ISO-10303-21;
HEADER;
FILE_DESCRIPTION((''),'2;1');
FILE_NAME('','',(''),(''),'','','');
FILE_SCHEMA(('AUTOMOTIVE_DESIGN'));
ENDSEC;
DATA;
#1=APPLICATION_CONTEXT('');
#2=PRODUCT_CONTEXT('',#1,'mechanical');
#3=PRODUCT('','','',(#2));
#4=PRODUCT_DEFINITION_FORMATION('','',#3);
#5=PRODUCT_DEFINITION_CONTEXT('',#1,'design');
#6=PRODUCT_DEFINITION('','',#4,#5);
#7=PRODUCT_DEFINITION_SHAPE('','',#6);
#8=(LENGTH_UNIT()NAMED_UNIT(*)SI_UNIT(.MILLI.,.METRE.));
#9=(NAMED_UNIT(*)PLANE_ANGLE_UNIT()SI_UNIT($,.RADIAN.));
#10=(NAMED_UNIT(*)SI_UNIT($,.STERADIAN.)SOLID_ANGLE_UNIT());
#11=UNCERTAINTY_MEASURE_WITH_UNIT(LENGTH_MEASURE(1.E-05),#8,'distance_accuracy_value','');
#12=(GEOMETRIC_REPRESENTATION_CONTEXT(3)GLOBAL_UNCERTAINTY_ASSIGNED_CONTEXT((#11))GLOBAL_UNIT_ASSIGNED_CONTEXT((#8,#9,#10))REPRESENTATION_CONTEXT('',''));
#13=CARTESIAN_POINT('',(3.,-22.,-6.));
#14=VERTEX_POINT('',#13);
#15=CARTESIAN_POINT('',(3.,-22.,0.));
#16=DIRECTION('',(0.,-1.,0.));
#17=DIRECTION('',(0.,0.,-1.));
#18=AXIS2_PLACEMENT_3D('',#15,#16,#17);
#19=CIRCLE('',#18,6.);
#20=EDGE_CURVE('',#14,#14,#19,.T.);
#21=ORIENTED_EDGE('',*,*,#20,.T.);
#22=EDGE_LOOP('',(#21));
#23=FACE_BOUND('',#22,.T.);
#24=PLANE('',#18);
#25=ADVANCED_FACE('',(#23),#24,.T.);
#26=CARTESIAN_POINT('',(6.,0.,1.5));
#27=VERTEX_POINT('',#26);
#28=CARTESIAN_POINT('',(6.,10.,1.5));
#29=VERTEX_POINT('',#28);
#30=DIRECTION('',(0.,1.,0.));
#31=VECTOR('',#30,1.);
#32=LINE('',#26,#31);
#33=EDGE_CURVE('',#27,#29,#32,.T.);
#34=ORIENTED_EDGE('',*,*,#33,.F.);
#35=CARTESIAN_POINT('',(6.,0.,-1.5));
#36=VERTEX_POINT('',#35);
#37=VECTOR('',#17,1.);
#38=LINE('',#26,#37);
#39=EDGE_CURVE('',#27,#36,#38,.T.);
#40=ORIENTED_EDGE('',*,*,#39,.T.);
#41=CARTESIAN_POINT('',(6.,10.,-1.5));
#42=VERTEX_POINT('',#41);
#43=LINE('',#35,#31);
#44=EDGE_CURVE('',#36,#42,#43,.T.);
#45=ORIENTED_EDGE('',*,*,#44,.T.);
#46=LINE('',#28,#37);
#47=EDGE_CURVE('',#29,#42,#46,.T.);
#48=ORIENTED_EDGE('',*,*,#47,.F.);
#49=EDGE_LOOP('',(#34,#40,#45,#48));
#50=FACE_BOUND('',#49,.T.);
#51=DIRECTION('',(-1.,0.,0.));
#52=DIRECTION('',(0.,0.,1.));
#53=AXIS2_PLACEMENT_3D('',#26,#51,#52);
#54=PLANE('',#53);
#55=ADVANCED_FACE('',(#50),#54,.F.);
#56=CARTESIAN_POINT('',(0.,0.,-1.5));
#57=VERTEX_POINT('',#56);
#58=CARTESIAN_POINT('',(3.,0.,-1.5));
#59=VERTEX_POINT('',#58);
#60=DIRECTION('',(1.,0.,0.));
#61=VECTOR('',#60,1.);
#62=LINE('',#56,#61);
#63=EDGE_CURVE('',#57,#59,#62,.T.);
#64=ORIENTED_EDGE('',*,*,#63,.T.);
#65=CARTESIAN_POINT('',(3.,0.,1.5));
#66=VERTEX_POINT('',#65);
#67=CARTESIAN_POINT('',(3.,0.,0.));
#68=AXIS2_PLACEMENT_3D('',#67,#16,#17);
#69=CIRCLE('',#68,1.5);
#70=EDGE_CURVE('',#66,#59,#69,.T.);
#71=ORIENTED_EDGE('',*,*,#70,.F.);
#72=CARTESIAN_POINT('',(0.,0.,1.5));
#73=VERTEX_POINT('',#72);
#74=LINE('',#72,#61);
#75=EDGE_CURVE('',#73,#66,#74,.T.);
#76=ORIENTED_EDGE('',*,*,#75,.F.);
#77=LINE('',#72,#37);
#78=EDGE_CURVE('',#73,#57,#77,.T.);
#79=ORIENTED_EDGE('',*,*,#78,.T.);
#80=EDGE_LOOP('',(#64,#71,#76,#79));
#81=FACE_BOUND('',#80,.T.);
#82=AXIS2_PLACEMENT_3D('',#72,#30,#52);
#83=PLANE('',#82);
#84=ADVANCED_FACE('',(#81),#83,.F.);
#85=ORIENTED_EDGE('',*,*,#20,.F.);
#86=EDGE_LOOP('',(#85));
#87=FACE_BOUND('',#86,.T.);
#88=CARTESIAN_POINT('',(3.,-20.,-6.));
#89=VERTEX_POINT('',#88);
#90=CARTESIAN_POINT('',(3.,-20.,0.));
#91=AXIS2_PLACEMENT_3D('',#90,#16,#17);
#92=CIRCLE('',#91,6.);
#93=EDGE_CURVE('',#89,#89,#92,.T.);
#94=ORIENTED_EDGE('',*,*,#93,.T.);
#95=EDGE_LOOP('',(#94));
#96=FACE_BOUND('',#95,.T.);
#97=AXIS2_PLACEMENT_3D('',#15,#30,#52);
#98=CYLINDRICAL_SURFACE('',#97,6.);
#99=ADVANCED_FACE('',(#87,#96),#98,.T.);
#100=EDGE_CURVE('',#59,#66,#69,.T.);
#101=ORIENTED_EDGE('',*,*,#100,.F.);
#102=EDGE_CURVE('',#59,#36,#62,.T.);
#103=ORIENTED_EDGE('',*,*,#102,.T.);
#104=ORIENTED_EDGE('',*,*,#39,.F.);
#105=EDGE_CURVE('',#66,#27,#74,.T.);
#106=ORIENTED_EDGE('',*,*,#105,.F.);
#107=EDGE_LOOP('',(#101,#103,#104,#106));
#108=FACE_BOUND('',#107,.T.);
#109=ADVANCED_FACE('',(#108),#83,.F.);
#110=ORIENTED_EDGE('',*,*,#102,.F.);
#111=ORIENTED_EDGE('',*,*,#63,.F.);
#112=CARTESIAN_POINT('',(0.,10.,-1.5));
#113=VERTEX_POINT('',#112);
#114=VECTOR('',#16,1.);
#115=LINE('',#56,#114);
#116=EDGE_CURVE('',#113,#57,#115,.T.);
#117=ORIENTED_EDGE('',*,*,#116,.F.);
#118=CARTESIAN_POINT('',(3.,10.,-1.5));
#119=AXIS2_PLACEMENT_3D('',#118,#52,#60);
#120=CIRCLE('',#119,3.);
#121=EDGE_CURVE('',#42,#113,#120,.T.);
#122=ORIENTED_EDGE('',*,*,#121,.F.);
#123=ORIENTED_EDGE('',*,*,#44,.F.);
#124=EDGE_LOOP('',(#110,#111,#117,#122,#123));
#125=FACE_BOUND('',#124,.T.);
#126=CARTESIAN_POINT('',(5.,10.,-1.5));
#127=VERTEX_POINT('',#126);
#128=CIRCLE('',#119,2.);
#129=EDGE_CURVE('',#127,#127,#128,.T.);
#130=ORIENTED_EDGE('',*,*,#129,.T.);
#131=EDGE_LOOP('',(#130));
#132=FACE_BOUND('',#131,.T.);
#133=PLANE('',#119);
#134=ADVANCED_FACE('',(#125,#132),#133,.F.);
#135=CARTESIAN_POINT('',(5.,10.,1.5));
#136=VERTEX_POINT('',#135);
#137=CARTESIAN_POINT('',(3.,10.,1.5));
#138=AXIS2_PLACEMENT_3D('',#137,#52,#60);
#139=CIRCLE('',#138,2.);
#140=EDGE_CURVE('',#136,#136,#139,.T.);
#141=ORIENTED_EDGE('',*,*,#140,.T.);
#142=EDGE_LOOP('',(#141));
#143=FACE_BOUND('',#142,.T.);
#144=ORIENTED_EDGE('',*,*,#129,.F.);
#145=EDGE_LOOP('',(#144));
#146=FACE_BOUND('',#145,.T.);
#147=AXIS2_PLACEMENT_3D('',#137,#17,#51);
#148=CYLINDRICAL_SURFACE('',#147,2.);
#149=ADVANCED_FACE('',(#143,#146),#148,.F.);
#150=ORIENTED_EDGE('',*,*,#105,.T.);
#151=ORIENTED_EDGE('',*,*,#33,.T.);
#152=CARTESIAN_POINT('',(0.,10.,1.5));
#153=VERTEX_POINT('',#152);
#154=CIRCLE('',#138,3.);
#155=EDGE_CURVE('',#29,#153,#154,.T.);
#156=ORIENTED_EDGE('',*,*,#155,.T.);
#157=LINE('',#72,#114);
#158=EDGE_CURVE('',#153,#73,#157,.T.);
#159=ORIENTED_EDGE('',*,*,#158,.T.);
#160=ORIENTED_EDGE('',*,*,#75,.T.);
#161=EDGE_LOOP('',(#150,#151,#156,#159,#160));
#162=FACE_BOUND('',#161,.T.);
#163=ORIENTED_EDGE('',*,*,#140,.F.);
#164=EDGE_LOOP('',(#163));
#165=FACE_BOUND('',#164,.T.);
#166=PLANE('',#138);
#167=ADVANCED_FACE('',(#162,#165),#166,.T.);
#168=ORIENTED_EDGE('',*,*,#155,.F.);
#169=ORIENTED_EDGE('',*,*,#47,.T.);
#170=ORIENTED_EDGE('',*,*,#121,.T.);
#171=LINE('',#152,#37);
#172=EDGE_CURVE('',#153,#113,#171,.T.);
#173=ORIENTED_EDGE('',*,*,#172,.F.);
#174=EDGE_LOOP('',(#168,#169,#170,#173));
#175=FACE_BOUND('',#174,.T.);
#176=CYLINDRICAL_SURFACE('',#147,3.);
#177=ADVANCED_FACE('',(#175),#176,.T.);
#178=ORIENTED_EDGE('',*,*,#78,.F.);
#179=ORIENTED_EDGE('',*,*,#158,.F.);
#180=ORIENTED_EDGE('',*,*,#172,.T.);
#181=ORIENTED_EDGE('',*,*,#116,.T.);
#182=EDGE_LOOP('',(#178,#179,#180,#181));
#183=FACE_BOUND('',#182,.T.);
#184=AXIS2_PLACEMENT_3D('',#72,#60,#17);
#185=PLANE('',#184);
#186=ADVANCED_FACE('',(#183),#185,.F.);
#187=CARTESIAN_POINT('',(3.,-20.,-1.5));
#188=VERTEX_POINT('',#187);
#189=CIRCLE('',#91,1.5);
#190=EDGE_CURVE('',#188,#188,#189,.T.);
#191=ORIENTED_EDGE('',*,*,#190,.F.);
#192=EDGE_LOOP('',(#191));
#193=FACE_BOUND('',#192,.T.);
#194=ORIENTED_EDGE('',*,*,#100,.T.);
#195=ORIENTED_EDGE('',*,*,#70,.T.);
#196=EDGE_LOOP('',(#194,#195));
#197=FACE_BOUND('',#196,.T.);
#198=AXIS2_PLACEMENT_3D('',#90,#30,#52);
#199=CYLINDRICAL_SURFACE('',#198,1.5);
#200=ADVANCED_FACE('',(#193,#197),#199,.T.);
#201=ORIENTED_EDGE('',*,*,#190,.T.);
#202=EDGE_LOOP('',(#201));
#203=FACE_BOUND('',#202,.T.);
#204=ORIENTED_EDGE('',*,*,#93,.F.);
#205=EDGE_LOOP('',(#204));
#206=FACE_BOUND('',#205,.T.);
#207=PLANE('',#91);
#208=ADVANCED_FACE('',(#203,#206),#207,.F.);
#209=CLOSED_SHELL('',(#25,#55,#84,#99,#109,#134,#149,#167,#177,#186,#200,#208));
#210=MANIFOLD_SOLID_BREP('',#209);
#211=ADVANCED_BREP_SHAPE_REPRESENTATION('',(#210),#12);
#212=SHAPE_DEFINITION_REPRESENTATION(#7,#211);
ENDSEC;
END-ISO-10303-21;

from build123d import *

# Parameters (mm, degrees)
SKETCH_1_R      = 2
EXTRUDE_1_DEPTH = 1.5
SKETCH_2_R      = 1.5
EXTRUDE_2_DEPTH = 20
SKETCH_3_R      = 6
EXTRUDE_3_DEPTH = 2


with BuildPart() as part:
    # 草图1 → 凸台-拉伸1 (new, symmetric)
    with BuildSketch(Plane.XY):
        with BuildLine():
            Line((0, 0), (6, 0))
            Line((6, 0), (6, 10))
            ThreePointArc((6, 10), (3, 13), (0, 10))
            Line((0, 10), (0, 0))
        make_face()
        with Locations((3, 10)):
            Circle(SKETCH_1_R, mode=Mode.SUBTRACT)
    extrude(amount=EXTRUDE_1_DEPTH, both=True)

    # 草图2 → 凸台-拉伸2 (add)
    with BuildSketch(Plane.XZ):
        with Locations(Location((3, 0, 0), (0, 0, 270))):
            Circle(SKETCH_2_R)
    extrude(amount=EXTRUDE_2_DEPTH)

    # 草图3 → 凸台-拉伸3 (add)
    with BuildSketch(Plane.XZ.offset(20)):
        with Locations(Location((3, 0, 0), (0, 0, 270))):
            Circle(SKETCH_3_R)
    extrude(amount=EXTRUDE_3_DEPTH)


solid = part.part
